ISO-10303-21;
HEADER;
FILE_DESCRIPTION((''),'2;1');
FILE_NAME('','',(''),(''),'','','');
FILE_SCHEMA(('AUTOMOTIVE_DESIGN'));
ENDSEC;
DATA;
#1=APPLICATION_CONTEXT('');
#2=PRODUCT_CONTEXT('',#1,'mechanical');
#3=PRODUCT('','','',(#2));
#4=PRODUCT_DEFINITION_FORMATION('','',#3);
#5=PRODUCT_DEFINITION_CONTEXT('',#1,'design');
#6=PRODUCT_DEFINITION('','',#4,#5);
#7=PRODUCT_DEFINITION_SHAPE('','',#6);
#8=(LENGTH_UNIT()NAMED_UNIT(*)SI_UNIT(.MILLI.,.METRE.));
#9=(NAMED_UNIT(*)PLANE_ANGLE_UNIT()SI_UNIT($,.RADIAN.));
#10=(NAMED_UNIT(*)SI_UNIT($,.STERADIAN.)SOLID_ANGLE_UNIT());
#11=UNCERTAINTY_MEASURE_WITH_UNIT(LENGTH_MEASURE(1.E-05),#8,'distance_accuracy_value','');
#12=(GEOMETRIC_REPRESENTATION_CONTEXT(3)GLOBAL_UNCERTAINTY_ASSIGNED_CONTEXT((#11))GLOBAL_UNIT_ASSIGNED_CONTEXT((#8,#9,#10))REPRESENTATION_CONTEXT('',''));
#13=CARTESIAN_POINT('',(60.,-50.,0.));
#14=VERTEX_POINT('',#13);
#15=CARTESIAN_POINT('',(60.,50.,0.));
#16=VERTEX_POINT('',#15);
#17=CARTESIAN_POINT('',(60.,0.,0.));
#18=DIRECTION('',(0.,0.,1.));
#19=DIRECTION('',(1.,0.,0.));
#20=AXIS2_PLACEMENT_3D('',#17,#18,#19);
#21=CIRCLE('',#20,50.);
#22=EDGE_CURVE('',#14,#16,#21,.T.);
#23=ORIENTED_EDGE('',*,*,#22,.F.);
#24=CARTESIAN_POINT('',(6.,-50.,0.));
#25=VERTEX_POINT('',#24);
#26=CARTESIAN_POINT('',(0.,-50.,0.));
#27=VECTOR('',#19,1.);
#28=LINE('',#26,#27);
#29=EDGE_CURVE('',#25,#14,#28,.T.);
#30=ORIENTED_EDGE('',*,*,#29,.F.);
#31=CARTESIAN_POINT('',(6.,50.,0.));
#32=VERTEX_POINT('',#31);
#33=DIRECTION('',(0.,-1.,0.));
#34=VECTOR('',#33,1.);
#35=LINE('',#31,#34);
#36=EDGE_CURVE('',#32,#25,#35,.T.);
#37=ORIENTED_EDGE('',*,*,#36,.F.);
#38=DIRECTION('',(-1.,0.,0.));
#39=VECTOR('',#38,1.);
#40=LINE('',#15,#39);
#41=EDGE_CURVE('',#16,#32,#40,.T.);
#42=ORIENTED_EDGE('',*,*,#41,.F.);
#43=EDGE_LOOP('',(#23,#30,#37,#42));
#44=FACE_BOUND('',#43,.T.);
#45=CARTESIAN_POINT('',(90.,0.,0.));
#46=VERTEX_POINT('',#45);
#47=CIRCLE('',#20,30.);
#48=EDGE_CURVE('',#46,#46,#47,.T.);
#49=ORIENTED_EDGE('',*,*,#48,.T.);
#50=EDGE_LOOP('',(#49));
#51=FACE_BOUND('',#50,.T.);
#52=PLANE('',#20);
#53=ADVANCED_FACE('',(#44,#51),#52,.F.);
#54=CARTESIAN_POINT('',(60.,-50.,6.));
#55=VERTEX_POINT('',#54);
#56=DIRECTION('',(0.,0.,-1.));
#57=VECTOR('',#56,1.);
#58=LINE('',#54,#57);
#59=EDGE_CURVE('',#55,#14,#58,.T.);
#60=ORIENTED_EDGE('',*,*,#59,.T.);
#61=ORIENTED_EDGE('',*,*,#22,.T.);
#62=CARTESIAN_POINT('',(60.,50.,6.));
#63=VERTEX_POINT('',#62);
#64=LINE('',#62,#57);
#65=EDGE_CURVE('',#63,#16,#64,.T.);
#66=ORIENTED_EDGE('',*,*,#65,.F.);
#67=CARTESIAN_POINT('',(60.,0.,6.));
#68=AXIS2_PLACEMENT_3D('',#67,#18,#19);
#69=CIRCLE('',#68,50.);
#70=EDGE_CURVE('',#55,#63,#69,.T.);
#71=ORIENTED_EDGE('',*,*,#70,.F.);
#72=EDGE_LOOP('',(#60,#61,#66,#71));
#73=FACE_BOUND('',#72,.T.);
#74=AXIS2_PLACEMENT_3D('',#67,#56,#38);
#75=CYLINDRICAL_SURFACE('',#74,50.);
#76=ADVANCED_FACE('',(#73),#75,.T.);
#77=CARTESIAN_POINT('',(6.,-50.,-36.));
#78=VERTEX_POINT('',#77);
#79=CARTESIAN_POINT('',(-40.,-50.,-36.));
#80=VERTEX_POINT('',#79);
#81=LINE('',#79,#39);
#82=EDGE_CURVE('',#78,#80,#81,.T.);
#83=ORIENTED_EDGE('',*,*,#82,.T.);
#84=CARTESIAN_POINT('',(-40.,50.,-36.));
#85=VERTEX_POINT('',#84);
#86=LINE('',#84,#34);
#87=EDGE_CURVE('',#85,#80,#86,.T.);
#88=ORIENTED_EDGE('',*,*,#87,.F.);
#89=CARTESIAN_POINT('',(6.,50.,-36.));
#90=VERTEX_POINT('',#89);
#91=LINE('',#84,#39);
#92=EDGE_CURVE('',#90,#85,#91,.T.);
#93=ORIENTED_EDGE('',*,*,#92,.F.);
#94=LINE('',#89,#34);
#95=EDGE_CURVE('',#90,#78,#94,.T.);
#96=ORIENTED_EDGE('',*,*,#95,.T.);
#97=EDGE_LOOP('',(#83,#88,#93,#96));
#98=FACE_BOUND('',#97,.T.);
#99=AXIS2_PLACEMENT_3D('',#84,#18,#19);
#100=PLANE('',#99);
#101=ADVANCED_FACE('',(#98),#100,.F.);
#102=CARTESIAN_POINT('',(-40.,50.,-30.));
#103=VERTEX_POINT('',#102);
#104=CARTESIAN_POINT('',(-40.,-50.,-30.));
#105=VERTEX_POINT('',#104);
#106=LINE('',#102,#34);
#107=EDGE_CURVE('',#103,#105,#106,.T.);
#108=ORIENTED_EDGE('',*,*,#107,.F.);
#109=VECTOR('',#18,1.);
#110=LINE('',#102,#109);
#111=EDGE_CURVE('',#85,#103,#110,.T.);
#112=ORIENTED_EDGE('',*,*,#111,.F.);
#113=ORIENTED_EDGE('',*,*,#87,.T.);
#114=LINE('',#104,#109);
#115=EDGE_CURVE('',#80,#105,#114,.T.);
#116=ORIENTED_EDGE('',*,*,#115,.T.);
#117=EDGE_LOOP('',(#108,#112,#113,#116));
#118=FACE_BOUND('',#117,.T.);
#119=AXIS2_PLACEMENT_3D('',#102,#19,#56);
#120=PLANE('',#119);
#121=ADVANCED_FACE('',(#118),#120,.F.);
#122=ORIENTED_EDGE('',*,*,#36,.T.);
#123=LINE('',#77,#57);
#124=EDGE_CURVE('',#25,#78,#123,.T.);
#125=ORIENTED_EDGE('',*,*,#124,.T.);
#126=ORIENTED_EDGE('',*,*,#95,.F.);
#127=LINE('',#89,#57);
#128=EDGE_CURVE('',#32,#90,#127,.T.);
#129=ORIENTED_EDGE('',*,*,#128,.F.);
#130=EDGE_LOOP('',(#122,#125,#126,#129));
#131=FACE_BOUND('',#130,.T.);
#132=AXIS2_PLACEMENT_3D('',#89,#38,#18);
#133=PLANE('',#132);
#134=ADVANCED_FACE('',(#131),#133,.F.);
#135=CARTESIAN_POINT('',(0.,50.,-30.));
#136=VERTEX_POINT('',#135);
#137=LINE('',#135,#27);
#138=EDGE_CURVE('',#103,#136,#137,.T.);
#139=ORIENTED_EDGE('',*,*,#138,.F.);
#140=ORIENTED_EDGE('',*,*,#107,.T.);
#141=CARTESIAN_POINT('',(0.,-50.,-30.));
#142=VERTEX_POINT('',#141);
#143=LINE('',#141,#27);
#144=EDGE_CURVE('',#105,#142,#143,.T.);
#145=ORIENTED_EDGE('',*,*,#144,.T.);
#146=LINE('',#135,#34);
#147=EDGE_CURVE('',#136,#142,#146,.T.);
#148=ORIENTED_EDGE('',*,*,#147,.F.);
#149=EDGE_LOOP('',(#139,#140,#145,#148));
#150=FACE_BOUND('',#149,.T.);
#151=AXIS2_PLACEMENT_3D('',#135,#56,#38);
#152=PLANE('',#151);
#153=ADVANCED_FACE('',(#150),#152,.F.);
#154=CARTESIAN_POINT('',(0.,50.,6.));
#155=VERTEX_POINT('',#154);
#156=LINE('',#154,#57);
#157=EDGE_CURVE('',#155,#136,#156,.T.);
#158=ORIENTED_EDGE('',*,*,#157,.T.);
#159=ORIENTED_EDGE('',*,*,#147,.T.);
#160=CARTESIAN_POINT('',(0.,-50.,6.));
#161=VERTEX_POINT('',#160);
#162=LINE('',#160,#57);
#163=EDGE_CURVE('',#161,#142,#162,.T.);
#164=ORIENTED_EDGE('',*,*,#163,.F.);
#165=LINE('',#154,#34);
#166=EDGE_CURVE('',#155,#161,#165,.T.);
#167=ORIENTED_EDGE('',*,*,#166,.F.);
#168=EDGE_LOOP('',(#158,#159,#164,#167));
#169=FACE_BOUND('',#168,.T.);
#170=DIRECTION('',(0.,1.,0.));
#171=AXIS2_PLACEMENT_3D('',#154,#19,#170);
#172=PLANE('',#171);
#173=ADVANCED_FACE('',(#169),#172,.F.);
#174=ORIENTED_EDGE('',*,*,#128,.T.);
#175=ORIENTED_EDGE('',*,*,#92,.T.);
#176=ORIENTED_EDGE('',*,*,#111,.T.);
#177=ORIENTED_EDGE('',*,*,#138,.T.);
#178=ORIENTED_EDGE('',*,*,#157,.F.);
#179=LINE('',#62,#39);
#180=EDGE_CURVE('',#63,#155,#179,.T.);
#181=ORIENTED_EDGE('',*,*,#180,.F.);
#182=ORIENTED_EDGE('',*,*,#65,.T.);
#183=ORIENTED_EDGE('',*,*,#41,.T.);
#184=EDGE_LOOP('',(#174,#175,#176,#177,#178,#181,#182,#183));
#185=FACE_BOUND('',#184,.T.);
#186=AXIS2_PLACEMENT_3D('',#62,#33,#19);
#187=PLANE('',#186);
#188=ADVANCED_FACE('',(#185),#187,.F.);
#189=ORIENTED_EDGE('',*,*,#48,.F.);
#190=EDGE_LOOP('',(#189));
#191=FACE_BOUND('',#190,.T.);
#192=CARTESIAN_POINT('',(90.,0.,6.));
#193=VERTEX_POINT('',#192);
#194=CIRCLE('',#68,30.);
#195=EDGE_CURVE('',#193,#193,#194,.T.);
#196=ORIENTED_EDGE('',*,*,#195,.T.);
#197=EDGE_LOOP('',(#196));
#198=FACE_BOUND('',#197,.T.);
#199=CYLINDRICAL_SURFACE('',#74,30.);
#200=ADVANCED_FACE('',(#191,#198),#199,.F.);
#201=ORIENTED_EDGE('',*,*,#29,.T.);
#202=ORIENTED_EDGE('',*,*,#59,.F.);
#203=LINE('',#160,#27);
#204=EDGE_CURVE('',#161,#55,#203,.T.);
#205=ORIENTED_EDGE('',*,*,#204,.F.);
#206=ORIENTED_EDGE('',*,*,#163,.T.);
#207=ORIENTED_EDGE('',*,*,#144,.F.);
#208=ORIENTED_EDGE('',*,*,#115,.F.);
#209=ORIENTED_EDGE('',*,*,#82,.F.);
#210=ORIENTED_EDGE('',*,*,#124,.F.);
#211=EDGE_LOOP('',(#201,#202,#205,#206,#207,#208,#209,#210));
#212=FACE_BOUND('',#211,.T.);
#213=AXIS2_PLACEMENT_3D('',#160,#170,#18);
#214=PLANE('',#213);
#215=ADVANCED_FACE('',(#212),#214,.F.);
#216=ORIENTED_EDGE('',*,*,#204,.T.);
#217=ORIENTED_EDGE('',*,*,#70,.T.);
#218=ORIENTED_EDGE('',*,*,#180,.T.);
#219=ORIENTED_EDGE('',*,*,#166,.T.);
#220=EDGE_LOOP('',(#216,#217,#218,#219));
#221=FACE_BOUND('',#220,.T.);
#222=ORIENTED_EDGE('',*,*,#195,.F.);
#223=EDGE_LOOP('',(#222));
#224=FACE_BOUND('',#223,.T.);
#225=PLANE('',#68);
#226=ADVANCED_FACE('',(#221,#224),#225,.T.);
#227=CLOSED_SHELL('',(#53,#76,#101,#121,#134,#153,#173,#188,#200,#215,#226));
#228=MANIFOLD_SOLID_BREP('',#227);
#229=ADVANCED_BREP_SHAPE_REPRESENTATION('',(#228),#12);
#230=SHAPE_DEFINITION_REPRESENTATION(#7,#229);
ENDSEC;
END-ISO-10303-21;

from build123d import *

# Parameters (mm, degrees)
SKETCH_1_R      = 30
EXTRUDE_1_DEPTH = 6
EXTRUDE_2_DEPTH = 50


with BuildPart() as part:
    # 草图1 → 凸台-拉伸1 (new body)
    with BuildSketch(Plane.XY):
        with BuildLine():
            Line((60, 50), (0, 50))
            Line((0, 50), (0, -50))
            Line((0, -50), (60, -50))
            ThreePointArc((60, -50), (110, 0), (60, 50))
        make_face()
        with Locations((60, 0)):
            Circle(SKETCH_1_R, mode=Mode.SUBTRACT)
    extrude(amount=EXTRUDE_1_DEPTH)

    # 草图2 → 凸台-拉伸2 (add, symmetric)
    with BuildSketch(Plane(origin=(0, 0, 0), x_dir=(1, 0, 0), z_dir=(0, 1, 0))):
        Polygon((0, 0), (0, 30), (-40, 30), (-40, 36), (6, 36), (6, 0), align=None)
    extrude(amount=EXTRUDE_2_DEPTH, both=True)


solid = part.part
